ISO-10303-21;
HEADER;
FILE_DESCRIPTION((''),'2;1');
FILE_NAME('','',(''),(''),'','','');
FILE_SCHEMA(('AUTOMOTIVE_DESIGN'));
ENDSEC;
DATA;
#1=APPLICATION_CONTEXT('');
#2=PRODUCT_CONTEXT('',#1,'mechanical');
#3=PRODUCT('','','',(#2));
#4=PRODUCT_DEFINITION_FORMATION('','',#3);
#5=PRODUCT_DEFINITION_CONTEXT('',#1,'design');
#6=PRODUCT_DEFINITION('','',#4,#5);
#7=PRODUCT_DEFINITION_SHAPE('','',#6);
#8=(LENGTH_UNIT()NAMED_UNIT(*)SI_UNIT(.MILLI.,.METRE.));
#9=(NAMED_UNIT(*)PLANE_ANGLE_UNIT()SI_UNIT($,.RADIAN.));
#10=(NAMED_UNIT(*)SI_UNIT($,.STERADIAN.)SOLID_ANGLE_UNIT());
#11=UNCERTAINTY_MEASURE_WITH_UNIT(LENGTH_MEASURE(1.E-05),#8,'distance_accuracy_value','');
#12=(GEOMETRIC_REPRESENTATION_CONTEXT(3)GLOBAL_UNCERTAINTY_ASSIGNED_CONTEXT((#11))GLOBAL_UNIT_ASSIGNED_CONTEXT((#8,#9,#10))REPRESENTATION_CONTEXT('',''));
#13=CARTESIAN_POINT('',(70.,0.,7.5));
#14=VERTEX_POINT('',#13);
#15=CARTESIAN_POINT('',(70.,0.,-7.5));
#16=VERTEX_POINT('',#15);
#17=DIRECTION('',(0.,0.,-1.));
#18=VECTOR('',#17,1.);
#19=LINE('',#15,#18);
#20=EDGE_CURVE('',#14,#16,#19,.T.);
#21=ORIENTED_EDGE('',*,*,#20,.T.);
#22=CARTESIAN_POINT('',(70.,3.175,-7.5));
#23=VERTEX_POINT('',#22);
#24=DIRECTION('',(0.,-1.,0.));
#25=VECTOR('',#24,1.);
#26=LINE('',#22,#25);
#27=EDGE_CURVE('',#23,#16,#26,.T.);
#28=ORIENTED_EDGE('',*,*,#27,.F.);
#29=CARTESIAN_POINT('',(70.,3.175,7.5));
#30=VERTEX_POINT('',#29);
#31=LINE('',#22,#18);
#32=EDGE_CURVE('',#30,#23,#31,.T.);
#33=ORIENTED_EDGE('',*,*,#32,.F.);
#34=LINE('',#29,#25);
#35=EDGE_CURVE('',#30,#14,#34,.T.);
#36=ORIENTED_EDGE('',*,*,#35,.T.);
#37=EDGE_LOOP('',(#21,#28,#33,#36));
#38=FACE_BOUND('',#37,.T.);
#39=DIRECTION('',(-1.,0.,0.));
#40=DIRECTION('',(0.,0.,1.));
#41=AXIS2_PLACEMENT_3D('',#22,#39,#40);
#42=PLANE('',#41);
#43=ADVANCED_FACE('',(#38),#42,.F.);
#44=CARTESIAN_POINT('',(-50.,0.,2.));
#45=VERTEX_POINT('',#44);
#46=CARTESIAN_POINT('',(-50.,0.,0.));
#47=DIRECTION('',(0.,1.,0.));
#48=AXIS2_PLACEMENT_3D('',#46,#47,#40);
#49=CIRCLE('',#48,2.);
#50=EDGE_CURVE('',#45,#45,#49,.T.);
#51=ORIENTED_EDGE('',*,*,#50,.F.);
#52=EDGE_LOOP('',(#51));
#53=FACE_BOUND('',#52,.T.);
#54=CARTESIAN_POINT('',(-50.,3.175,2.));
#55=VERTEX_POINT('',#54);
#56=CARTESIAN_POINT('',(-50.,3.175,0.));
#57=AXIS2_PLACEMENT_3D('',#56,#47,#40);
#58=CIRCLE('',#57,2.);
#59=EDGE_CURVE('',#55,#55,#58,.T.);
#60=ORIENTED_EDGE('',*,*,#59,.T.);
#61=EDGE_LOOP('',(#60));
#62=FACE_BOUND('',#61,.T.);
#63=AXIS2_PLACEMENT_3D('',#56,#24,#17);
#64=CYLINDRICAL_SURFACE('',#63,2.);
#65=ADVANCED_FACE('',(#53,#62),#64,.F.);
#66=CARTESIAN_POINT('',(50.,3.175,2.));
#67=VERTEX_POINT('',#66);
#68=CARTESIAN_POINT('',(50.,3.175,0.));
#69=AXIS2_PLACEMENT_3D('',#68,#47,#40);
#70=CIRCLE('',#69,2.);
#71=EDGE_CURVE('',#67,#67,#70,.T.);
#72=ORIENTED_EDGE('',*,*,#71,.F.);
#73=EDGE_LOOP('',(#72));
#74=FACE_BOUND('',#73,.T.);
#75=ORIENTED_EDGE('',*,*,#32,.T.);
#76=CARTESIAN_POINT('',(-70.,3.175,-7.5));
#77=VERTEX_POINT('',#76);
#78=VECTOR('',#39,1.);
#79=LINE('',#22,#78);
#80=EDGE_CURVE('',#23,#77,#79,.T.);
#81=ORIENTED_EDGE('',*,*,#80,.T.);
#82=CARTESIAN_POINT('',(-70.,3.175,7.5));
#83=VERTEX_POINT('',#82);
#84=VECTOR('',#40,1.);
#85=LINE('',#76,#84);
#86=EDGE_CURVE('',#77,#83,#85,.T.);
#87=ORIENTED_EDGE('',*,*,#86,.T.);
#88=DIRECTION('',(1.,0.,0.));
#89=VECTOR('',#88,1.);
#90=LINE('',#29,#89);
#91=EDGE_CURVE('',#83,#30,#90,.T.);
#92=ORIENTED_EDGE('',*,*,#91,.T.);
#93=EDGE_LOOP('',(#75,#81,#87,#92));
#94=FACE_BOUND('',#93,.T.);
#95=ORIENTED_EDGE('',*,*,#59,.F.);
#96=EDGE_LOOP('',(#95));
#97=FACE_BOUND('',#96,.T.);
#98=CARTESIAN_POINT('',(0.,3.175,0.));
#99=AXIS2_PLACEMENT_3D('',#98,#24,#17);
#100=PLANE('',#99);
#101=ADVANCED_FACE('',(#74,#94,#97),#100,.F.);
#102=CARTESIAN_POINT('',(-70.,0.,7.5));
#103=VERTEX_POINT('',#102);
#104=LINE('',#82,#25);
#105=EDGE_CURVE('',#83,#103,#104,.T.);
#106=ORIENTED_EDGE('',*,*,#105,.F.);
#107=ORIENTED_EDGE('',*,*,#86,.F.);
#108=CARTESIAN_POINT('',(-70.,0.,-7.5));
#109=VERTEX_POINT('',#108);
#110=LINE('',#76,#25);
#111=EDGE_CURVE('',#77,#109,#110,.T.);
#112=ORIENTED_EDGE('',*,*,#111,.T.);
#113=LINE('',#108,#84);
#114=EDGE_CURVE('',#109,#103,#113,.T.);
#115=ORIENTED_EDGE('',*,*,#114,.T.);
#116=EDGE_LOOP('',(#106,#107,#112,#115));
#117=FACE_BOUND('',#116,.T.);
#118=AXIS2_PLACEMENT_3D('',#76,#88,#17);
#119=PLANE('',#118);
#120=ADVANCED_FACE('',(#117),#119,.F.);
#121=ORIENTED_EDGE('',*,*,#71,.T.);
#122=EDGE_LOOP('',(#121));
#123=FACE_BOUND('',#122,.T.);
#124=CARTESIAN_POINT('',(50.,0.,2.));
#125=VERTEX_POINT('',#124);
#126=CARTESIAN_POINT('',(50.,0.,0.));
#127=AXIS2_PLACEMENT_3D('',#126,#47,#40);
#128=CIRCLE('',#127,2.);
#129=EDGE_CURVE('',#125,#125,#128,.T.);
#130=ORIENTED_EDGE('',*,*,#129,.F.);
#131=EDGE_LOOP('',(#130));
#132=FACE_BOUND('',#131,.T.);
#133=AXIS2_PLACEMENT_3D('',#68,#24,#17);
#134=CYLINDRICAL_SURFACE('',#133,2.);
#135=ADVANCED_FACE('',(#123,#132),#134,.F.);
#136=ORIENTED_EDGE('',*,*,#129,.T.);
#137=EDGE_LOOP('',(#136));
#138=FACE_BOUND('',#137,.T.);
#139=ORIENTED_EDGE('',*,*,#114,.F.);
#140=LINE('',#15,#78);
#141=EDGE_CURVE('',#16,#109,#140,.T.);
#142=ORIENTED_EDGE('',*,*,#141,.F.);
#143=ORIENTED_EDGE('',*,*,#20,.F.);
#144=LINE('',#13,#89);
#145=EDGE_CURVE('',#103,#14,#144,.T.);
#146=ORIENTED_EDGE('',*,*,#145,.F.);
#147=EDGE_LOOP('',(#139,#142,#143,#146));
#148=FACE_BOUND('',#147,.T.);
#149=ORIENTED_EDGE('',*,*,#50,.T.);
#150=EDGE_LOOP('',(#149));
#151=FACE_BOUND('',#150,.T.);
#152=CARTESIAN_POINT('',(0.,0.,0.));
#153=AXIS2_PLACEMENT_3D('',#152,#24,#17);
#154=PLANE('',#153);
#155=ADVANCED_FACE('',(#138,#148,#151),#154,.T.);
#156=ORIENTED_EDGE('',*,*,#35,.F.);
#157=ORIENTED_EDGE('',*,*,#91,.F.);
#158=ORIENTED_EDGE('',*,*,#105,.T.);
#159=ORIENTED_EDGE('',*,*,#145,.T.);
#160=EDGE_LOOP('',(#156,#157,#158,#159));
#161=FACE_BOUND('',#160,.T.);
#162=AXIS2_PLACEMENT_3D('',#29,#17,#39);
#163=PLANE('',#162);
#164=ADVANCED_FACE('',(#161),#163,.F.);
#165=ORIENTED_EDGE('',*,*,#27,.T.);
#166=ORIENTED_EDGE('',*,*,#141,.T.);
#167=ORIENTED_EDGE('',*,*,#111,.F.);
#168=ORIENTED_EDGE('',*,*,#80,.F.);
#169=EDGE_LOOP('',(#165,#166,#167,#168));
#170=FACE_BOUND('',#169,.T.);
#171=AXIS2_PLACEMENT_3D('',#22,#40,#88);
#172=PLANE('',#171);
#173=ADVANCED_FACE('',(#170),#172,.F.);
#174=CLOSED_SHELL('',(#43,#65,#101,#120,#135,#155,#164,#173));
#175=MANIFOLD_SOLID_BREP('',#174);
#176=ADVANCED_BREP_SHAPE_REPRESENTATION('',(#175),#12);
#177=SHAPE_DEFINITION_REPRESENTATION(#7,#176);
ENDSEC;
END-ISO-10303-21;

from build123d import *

# Parameters (mm, degrees)
SKETCH1_W           = 140
SKETCH1_H           = 15
SKETCH1_R           = 2
BOSS_EXTRUDE1_DEPTH = 3.175


with BuildPart() as part:
    # Sketch1 → Boss-Extrude1 (new body)
    with BuildSketch(Plane(origin=(0, 0, 0), x_dir=(1, 0, 0), z_dir=(0, 1, 0))):
        Rectangle(SKETCH1_W, SKETCH1_H)
        with Locations((-50, 0)):
            Circle(SKETCH1_R, mode=Mode.SUBTRACT)
        with Locations((50, 0)):
            Circle(SKETCH1_R, mode=Mode.SUBTRACT)
    extrude(amount=BOSS_EXTRUDE1_DEPTH)


solid = part.part
